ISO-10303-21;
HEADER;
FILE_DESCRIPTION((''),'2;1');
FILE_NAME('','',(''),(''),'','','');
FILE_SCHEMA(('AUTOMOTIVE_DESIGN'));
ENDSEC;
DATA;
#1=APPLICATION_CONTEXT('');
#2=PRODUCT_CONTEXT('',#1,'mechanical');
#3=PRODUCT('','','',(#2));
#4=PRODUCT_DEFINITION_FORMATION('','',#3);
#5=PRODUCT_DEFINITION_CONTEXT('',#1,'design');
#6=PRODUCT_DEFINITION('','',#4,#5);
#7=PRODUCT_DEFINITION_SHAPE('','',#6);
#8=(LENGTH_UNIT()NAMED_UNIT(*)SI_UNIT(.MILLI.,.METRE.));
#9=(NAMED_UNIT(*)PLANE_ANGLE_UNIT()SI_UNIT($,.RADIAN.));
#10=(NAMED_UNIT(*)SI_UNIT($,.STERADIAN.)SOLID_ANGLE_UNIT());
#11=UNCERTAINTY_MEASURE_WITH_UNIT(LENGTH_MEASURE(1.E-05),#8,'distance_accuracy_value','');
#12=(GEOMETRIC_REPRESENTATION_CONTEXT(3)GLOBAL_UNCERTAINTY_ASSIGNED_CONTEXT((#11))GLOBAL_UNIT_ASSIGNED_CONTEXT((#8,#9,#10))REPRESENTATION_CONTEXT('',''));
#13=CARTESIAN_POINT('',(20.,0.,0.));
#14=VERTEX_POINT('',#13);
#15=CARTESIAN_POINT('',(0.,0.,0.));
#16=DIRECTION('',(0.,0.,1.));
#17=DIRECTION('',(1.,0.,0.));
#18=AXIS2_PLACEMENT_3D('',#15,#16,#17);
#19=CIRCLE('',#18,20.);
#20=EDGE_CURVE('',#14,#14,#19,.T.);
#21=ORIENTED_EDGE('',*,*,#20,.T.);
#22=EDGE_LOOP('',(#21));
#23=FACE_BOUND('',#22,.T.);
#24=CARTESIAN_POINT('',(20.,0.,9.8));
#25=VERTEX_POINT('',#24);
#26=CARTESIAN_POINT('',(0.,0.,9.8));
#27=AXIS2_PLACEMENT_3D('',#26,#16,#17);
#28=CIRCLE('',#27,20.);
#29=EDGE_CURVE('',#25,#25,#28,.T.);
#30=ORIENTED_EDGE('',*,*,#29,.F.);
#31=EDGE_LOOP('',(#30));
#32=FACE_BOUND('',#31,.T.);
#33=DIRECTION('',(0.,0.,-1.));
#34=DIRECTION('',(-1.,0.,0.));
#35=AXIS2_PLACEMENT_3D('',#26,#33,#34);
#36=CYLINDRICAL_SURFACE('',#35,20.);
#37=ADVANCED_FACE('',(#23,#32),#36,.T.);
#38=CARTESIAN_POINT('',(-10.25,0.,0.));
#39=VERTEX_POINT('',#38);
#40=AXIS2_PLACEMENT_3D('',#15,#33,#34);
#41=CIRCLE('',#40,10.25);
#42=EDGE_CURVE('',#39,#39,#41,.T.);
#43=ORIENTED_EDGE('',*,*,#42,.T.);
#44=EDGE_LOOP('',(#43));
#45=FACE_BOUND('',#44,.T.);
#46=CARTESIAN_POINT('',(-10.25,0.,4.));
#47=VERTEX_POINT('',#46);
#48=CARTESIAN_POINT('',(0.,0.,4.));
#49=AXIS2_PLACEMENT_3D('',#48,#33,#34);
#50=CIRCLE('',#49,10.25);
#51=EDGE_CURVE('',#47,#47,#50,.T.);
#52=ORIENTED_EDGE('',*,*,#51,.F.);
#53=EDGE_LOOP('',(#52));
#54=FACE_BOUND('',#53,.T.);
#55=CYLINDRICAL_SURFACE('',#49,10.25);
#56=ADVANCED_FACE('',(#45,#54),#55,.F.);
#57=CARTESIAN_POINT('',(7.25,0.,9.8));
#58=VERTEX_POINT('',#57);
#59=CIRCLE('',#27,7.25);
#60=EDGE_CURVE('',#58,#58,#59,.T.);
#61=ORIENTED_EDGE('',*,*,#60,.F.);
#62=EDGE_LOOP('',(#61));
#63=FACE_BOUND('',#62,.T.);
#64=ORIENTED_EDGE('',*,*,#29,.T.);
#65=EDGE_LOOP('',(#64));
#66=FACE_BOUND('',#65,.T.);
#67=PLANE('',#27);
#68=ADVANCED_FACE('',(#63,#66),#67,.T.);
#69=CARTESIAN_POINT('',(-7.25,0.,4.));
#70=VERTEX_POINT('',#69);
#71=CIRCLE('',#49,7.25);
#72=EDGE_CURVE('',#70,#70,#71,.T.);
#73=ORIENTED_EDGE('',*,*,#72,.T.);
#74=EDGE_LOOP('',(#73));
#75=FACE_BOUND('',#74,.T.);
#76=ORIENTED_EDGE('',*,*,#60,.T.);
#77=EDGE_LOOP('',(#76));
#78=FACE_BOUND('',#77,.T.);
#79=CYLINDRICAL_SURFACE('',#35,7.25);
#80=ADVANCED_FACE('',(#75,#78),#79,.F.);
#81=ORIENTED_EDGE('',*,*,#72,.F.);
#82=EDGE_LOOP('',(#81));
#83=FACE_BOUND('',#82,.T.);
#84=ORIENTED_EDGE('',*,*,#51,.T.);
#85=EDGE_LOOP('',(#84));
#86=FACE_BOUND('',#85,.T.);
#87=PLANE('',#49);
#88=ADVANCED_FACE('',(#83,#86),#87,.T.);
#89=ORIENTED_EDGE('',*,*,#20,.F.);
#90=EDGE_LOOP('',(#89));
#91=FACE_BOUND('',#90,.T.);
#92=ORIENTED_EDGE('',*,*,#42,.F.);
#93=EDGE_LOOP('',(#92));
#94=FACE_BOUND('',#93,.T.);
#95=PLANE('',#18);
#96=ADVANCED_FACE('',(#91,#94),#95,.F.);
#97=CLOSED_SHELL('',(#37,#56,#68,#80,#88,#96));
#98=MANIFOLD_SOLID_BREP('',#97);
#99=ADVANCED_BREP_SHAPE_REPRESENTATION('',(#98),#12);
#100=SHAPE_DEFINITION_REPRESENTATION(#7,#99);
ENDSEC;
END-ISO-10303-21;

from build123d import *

# Parameters (mm, degrees)
SKIZZE1_R                       = 20
SKIZZE1_R_2                     = 7.25
AUFSATZ_LINEAR_AUSTRAGEN1_DEPTH = 9.8
SKIZZE2_R                       = 10.25
SCHNITT_LINEAR_AUSTRAGEN1_DEPTH = 4


with BuildPart() as part:
    # Skizze1 → Aufsatz-Linear austragen1 (new body)
    with BuildSketch(Plane.XY):
        Circle(SKIZZE1_R)
        Circle(SKIZZE1_R_2, mode=Mode.SUBTRACT)
    extrude(amount=AUFSATZ_LINEAR_AUSTRAGEN1_DEPTH)

    # Skizze2 → Schnitt-Linear austragen1 (cut)
    with BuildSketch(Plane(origin=(0, 0, 0), x_dir=(-1, 0, 0), z_dir=(0, 0, -1))):
        Circle(SKIZZE2_R)
    extrude(amount=-SCHNITT_LINEAR_AUSTRAGEN1_DEPTH, mode=Mode.SUBTRACT)


solid = part.part
